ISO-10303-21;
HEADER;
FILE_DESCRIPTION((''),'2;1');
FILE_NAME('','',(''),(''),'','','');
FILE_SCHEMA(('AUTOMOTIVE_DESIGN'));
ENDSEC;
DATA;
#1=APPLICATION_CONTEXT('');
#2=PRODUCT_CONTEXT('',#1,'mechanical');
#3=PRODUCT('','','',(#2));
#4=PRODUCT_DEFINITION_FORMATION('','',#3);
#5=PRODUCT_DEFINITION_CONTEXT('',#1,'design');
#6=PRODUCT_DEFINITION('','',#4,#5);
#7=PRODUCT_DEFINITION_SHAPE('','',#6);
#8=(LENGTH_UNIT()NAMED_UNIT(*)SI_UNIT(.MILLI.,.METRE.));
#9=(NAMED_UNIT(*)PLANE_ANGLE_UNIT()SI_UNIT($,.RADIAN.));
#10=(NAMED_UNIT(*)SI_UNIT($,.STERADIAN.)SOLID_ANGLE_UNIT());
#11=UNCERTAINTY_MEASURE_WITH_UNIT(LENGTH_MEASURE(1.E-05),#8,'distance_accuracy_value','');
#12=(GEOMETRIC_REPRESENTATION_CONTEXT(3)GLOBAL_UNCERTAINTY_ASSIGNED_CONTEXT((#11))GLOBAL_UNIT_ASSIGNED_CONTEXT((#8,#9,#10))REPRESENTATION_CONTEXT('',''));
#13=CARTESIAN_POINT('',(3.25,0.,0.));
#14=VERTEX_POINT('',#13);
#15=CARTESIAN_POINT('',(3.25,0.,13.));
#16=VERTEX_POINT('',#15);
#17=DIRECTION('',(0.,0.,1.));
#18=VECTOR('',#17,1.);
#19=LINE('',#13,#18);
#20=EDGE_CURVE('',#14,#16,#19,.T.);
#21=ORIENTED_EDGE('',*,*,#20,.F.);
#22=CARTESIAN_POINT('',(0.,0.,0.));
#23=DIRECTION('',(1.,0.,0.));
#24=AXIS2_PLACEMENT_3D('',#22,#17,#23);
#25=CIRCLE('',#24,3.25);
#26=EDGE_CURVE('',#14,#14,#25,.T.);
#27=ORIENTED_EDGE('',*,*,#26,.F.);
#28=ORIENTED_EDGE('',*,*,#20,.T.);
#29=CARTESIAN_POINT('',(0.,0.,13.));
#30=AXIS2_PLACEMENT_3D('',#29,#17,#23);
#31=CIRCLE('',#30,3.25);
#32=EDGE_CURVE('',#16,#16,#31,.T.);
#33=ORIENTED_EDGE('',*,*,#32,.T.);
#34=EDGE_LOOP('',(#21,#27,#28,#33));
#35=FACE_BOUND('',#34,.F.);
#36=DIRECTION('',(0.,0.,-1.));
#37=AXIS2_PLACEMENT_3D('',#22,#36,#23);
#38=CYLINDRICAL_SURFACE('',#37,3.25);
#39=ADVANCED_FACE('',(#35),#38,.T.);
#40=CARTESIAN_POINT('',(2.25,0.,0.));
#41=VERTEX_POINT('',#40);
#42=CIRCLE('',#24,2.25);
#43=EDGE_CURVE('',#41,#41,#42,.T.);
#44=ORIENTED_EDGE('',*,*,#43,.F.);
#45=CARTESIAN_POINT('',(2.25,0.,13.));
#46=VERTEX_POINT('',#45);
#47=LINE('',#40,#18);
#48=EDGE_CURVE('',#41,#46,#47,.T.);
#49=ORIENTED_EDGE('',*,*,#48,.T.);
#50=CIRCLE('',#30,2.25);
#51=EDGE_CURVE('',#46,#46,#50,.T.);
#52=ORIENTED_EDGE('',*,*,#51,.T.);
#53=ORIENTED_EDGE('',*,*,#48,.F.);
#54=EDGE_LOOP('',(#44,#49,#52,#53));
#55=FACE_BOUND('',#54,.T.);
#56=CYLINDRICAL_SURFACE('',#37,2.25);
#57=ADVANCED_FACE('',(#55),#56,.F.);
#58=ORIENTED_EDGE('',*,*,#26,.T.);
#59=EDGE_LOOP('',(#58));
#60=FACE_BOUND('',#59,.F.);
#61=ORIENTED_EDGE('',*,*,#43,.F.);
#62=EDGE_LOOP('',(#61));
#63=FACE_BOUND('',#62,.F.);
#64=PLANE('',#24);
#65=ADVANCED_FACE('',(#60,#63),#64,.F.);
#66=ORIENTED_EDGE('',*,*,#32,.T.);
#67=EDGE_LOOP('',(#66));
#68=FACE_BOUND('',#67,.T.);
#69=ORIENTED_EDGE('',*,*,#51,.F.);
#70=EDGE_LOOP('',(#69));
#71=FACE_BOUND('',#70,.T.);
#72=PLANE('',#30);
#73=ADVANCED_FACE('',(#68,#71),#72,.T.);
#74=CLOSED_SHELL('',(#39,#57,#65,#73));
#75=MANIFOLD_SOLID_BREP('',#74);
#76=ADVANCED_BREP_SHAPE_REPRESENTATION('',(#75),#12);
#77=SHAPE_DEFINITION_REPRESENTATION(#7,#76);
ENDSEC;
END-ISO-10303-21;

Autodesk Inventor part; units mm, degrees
ref_plane "YZ Plane" through (0, 0, 0) normal (1, 0, 0) x (0, 1, 0)
ref_plane "XZ Plane" through (0, 0, 0) normal (0, 1, 0) x (-1, 0, 0)
ref_plane "XY Plane" through (0, 0, 0) normal (0, 0, 1) x (1, 0, 0)
sketch "Skizze1" plane through (0, 0, 0) normal (0, 0, 1) x (1, 0, 0)
  circle A0 centre (0, 0) radius 2.25
  circle A1 centre (0, 0) radius 3.25
  dimension "d0" = 4.5
  dimension "d2" = 1
extrude "Extrusion1" add sketch "Skizze1" along normal blind 13
properties part number "BeltDriveAxisSleeveV3"
